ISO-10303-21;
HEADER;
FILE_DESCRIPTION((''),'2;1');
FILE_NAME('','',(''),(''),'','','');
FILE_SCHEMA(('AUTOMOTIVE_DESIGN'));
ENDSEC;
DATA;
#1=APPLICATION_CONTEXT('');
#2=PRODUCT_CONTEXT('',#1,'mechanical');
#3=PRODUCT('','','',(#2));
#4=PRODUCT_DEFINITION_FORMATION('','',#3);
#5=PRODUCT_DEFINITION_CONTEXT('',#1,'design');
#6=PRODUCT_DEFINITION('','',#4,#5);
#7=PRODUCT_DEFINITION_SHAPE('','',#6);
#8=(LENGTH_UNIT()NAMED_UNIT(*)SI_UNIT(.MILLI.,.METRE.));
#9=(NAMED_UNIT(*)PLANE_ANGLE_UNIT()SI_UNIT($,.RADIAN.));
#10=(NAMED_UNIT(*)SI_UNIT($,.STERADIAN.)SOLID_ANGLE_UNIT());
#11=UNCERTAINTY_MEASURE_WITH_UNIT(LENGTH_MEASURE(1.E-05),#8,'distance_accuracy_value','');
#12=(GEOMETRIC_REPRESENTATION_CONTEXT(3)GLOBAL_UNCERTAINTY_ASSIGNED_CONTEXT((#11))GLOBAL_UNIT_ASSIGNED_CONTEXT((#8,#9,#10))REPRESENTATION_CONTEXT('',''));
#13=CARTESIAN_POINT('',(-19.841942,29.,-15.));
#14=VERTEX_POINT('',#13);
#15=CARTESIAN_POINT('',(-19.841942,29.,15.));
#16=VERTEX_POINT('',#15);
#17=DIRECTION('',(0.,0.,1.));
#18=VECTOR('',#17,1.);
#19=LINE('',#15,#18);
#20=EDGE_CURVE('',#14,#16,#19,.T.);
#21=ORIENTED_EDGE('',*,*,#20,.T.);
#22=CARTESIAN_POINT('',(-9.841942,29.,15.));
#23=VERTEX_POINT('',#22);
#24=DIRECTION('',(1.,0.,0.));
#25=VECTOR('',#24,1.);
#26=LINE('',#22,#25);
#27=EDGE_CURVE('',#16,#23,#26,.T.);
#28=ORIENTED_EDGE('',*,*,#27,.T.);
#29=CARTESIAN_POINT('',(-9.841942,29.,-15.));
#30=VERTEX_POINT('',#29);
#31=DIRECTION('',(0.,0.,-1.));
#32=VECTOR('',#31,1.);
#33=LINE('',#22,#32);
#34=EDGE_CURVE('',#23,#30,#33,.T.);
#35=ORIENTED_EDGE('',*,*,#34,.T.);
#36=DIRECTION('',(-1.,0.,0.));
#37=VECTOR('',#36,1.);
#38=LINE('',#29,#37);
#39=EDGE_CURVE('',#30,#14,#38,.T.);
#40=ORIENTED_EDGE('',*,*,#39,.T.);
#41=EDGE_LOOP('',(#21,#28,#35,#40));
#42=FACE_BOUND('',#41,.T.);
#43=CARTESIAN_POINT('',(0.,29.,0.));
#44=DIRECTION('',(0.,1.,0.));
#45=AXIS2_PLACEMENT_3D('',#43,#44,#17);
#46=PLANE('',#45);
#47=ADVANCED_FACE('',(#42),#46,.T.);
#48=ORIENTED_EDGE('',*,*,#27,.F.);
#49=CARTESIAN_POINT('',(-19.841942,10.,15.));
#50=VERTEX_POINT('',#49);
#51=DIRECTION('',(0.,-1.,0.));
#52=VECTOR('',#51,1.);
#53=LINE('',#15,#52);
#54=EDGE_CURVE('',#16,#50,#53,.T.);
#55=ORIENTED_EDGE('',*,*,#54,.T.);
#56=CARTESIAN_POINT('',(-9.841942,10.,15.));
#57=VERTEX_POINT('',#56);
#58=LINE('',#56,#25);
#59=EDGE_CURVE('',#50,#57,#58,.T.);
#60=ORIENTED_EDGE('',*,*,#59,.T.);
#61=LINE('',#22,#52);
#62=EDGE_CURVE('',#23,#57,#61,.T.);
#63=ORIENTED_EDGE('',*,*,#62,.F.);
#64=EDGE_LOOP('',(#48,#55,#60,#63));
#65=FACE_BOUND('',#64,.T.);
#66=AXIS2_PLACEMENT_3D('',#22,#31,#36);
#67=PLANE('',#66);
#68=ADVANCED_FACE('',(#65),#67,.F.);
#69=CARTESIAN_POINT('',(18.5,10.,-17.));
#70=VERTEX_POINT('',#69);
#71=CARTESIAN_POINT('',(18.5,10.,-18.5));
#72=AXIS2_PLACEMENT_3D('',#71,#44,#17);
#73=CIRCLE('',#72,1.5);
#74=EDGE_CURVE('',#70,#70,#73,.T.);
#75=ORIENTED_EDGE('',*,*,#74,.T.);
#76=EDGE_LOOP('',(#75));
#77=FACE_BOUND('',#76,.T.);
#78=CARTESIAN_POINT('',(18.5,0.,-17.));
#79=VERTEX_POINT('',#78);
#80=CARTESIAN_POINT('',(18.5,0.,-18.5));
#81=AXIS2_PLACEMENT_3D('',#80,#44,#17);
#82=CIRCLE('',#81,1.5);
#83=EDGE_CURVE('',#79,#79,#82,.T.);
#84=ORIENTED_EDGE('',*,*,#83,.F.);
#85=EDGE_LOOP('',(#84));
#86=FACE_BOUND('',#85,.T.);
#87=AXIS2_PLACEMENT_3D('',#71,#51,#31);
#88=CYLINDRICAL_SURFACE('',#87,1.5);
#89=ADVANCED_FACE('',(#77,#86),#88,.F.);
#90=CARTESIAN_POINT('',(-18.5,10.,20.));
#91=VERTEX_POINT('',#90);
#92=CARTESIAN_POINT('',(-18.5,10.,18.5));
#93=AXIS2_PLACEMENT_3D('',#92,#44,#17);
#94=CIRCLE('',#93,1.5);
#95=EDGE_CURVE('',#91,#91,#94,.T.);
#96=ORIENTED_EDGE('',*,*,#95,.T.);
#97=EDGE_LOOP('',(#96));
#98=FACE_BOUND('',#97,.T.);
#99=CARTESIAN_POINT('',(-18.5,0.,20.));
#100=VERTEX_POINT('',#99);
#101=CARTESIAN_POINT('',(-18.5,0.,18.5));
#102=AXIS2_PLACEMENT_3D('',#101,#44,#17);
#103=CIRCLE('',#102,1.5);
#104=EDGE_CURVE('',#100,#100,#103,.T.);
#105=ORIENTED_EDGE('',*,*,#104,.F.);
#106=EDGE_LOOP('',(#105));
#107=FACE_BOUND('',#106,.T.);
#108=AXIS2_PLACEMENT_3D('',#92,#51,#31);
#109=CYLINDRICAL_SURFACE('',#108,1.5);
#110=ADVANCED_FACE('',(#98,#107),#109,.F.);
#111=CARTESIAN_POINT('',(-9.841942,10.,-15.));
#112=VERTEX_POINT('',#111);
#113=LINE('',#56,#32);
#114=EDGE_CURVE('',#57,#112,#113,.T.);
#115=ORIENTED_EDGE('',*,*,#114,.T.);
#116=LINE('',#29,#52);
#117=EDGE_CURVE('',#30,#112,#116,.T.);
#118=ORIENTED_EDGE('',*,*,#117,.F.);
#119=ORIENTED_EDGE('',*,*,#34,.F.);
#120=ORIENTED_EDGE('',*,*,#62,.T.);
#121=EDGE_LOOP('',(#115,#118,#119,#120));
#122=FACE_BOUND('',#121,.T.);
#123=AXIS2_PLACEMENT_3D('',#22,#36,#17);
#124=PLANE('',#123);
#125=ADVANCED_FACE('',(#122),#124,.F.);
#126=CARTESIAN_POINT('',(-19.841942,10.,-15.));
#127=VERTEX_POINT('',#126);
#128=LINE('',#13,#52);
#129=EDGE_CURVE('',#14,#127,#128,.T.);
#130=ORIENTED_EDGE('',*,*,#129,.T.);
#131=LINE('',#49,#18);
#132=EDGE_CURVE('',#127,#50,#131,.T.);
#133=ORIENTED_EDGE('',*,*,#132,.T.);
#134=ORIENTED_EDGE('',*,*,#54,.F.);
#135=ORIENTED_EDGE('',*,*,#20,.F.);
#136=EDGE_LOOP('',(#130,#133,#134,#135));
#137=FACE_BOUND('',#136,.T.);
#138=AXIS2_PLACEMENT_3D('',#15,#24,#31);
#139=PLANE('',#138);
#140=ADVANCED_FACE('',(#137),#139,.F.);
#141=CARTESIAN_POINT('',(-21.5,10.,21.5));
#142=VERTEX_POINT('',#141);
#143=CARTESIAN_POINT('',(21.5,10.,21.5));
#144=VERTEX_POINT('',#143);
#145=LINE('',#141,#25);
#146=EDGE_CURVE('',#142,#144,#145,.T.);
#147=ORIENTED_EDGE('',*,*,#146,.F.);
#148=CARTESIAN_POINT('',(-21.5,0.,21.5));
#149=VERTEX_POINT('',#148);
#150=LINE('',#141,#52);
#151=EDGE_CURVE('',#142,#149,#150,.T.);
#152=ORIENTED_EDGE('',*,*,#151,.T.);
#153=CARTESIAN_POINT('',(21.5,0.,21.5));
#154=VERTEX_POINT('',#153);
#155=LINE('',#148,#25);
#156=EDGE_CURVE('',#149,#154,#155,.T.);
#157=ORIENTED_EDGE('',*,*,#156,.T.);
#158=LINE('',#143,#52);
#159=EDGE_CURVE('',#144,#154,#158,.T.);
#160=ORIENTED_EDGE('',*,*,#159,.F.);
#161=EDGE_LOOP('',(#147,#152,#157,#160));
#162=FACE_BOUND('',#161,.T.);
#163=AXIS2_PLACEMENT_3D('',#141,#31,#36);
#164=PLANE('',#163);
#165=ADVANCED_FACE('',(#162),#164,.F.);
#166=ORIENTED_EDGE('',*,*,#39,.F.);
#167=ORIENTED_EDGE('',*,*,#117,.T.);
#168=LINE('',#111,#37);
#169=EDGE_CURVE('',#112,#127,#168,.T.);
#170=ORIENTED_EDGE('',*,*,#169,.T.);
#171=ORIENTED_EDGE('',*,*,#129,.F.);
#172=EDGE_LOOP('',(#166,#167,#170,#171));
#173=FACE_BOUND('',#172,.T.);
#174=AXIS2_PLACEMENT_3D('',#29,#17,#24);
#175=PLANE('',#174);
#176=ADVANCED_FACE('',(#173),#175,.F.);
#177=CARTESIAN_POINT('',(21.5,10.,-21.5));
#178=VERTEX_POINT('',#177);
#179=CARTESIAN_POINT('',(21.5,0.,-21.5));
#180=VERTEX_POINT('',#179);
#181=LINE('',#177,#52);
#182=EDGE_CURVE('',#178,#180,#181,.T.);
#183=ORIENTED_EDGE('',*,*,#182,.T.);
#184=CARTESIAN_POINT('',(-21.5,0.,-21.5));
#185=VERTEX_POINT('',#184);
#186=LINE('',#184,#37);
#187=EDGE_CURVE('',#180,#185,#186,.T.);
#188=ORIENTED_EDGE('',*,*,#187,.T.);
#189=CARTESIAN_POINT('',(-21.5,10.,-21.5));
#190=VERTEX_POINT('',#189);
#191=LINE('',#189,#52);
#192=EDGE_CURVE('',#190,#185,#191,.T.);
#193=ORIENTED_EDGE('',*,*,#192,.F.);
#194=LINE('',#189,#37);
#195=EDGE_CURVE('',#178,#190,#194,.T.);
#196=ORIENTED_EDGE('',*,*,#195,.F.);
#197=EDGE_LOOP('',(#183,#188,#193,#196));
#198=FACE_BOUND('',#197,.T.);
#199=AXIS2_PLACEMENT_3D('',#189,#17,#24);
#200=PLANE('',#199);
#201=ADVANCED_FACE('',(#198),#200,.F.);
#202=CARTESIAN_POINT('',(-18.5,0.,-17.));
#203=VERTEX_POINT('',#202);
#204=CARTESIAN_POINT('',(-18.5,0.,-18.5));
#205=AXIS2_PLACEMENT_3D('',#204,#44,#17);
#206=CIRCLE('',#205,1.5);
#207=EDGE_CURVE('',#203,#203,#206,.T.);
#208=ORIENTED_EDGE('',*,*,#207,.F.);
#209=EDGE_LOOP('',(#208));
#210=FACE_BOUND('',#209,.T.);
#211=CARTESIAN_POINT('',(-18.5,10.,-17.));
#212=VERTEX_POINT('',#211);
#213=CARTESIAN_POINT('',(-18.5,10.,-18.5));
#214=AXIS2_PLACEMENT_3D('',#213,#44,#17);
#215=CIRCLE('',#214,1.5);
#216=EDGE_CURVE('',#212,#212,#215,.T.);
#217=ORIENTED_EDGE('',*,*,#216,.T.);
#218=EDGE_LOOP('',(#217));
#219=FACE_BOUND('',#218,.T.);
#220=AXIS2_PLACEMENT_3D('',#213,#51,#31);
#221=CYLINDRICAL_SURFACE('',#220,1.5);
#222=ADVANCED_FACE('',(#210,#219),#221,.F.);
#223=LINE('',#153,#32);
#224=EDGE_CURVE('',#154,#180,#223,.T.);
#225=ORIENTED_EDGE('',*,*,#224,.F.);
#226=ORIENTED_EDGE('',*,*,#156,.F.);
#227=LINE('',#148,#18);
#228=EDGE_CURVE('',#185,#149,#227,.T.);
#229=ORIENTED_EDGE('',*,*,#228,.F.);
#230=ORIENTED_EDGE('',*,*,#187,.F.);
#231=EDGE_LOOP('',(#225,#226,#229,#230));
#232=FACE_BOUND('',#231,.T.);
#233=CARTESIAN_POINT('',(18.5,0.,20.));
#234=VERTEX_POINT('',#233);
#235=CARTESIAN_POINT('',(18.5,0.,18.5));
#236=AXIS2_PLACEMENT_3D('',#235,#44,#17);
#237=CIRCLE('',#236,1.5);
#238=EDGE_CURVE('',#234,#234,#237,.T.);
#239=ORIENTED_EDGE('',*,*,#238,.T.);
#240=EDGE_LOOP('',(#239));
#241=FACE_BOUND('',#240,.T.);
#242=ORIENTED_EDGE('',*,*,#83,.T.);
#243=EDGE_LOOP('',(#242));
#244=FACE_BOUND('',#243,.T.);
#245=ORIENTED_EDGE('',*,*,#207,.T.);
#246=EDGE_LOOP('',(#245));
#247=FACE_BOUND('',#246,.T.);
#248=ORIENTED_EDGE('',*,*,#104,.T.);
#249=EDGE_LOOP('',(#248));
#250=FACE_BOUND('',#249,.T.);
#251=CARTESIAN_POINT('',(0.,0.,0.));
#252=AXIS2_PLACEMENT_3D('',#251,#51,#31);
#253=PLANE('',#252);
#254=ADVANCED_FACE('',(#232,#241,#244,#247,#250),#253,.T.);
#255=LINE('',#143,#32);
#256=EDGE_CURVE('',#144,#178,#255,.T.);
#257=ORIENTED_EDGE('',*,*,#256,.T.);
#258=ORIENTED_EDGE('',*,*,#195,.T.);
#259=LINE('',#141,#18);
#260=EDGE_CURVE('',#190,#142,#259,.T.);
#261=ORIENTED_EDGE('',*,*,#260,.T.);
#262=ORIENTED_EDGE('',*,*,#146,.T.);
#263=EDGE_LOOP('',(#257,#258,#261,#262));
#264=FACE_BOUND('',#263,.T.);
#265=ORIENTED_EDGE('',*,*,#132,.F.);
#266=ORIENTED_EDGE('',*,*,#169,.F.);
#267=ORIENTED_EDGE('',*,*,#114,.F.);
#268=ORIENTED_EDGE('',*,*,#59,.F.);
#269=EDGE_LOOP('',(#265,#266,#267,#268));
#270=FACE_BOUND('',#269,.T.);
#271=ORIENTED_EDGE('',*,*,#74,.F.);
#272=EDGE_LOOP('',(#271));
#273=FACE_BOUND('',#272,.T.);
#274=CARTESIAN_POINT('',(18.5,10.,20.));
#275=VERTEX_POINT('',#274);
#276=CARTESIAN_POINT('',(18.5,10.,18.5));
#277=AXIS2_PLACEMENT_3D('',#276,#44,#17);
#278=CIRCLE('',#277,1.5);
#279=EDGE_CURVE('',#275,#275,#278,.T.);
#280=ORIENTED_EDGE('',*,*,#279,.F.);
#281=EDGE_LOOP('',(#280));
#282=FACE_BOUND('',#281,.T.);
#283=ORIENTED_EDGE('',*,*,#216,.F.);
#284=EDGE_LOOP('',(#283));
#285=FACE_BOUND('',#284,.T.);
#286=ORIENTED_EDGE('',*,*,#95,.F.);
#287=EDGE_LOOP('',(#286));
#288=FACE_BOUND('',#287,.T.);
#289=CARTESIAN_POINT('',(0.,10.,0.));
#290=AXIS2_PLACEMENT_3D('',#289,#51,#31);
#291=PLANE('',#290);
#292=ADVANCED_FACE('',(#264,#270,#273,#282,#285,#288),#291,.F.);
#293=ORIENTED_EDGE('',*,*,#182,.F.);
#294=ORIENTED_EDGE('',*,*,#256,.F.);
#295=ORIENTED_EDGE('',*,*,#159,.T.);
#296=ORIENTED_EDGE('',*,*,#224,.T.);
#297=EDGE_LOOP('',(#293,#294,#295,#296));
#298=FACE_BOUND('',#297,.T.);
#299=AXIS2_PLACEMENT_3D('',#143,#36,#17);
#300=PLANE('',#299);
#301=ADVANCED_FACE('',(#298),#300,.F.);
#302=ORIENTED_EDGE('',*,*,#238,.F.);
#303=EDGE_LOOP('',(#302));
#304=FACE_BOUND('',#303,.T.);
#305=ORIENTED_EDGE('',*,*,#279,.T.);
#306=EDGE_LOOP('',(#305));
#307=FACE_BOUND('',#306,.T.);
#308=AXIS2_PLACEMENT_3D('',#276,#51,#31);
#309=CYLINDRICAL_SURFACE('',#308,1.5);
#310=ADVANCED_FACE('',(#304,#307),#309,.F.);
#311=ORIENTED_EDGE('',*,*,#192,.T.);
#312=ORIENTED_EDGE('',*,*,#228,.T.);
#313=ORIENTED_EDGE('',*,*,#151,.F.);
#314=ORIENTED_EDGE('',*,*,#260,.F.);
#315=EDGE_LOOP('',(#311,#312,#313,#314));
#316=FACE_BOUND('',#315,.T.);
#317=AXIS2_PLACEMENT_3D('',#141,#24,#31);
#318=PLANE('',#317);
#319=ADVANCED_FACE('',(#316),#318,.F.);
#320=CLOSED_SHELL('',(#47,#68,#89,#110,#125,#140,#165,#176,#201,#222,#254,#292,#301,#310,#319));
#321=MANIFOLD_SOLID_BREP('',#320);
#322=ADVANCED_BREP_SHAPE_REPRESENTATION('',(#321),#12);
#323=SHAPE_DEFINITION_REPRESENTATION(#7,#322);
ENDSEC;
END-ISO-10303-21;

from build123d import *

# Parameters (mm, degrees)
SKETCH_1_W      = 43
SKETCH_1_H      = 43
SKETCH_1_R      = 1.5
EXTRUDE_1_DEPTH = 10
SKETCH_2_W      = 10
SKETCH_2_H      = 30
EXTRUDE_2_DEPTH = 19


with BuildPart() as part:
    # 草圖1 → 填料-伸長1 (new body)
    with BuildSketch(Plane(origin=(0, 0, 0), x_dir=(1, 0, 0), z_dir=(0, 1, 0))):
        Rectangle(SKETCH_1_W, SKETCH_1_H)
        with Locations(Location((-18.5, 18.5, 0), (0, 0, 270))):
            Circle(SKETCH_1_R, mode=Mode.SUBTRACT)
        with Locations(Location((18.5, 18.5, 0), (0, 0, 270))):
            Circle(SKETCH_1_R, mode=Mode.SUBTRACT)
        with Locations(Location((18.5, -18.5, 0), (0, 0, 270))):
            Circle(SKETCH_1_R, mode=Mode.SUBTRACT)
        with Locations(Location((-18.5, -18.5, 0), (0, 0, 270))):
            Circle(SKETCH_1_R, mode=Mode.SUBTRACT)
    extrude(amount=EXTRUDE_1_DEPTH)

    # 草圖2 → 填料-伸長2 (add)
    with BuildSketch(Plane(origin=(0, 10, 0), x_dir=(1, 0, 0), z_dir=(0, 1, 0))):
        with Locations((-14.841942401, 0)):
            Rectangle(SKETCH_2_W, SKETCH_2_H)
    extrude(amount=EXTRUDE_2_DEPTH)


solid = part.part
